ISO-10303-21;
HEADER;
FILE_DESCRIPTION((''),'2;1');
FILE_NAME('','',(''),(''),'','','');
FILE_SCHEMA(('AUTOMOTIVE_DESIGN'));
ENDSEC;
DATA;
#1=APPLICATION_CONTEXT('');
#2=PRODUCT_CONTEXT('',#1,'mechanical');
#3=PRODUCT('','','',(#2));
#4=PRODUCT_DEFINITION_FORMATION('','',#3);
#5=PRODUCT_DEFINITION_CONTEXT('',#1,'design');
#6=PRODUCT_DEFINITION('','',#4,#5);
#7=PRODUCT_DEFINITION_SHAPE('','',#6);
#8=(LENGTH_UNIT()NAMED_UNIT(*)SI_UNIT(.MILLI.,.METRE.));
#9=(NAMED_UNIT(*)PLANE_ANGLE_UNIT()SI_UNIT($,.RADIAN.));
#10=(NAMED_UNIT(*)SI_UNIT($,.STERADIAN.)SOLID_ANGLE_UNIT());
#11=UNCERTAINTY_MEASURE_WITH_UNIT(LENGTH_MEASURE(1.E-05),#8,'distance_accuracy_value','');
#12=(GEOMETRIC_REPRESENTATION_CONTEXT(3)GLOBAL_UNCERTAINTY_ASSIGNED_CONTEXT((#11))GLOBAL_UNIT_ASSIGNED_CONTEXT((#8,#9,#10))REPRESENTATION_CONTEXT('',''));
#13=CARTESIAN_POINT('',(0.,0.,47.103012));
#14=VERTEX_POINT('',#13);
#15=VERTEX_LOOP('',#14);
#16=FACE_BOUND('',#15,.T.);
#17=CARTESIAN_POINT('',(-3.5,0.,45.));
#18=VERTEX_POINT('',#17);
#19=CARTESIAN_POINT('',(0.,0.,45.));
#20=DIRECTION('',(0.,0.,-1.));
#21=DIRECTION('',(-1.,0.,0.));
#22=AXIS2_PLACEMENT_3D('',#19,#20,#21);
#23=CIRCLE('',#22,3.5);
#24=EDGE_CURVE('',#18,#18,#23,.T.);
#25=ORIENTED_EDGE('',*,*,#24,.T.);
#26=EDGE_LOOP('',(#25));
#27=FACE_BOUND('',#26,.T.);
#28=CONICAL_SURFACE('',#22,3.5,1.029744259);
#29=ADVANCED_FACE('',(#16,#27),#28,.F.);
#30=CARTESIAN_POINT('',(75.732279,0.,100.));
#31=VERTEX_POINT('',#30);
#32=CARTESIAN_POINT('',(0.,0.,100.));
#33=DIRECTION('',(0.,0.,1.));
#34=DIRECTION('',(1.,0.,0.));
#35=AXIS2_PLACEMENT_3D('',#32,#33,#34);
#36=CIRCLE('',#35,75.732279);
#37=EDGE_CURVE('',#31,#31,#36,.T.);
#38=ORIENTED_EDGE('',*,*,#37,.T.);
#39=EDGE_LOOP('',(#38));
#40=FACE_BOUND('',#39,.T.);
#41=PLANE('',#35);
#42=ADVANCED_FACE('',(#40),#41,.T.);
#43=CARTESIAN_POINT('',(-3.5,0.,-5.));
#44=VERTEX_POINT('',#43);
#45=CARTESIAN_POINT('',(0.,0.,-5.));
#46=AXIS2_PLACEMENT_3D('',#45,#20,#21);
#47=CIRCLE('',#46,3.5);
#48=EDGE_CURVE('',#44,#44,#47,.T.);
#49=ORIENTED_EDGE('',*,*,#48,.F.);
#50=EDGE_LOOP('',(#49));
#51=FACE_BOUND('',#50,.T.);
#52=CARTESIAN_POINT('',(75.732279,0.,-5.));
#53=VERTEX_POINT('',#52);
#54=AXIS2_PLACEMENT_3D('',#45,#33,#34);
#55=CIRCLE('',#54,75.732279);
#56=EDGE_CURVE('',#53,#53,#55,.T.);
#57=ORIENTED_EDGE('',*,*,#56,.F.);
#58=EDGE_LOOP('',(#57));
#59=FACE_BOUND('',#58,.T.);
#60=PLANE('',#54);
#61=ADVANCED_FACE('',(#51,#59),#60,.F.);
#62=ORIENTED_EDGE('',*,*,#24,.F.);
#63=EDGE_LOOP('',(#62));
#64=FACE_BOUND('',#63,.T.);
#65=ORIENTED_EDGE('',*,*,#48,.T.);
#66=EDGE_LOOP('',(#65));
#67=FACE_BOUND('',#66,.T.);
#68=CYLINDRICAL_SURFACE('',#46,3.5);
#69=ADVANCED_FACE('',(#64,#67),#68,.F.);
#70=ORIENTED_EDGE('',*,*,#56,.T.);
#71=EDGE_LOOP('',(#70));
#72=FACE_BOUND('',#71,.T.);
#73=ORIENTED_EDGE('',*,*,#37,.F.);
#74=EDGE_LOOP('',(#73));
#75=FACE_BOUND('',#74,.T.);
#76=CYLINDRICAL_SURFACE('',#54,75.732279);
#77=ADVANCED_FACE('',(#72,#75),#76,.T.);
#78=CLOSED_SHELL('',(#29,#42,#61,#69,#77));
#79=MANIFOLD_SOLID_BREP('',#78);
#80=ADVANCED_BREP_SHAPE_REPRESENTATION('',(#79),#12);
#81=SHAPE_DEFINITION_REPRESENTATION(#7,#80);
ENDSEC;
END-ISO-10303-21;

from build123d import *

# Parameters (mm, degrees)
ESQUISSE1_R               = 75.732278769
BOSS_EXTRU_1_DEPTH        = 100
BOSS_EXTRU_1_DEPTH_BACK   = 5
TROU_TARAUD_M8X1_01_D     = 7
TROU_TARAUD_M8X1_01_DEPTH = 50
TROU_TARAUD_M8X1_01_TIP   = 2.103012167


with BuildPart() as part:
    # Esquisse1 → Boss.-Extru.1 (new body, two sides)
    with BuildSketch(Plane.XY) as boss_extru_1_sk:
        Circle(ESQUISSE1_R)
    extrude(amount=BOSS_EXTRU_1_DEPTH)
    extrude(boss_extru_1_sk.sketch, amount=-BOSS_EXTRU_1_DEPTH_BACK)

    # Trou taraudé M8x1.01
    with Locations(Plane(origin=(0, 0, -5), x_dir=(-1, 0, 0), z_dir=(0, 0, -1))):
        with Locations((0, 0)):
            Hole(TROU_TARAUD_M8X1_01_D / 2, depth=TROU_TARAUD_M8X1_01_DEPTH)
            with Locations((0, 0, -(TROU_TARAUD_M8X1_01_DEPTH + TROU_TARAUD_M8X1_01_TIP / 2))):  # 118° drill point
                Cone(0, TROU_TARAUD_M8X1_01_D / 2, TROU_TARAUD_M8X1_01_TIP, mode=Mode.SUBTRACT)


solid = part.part
